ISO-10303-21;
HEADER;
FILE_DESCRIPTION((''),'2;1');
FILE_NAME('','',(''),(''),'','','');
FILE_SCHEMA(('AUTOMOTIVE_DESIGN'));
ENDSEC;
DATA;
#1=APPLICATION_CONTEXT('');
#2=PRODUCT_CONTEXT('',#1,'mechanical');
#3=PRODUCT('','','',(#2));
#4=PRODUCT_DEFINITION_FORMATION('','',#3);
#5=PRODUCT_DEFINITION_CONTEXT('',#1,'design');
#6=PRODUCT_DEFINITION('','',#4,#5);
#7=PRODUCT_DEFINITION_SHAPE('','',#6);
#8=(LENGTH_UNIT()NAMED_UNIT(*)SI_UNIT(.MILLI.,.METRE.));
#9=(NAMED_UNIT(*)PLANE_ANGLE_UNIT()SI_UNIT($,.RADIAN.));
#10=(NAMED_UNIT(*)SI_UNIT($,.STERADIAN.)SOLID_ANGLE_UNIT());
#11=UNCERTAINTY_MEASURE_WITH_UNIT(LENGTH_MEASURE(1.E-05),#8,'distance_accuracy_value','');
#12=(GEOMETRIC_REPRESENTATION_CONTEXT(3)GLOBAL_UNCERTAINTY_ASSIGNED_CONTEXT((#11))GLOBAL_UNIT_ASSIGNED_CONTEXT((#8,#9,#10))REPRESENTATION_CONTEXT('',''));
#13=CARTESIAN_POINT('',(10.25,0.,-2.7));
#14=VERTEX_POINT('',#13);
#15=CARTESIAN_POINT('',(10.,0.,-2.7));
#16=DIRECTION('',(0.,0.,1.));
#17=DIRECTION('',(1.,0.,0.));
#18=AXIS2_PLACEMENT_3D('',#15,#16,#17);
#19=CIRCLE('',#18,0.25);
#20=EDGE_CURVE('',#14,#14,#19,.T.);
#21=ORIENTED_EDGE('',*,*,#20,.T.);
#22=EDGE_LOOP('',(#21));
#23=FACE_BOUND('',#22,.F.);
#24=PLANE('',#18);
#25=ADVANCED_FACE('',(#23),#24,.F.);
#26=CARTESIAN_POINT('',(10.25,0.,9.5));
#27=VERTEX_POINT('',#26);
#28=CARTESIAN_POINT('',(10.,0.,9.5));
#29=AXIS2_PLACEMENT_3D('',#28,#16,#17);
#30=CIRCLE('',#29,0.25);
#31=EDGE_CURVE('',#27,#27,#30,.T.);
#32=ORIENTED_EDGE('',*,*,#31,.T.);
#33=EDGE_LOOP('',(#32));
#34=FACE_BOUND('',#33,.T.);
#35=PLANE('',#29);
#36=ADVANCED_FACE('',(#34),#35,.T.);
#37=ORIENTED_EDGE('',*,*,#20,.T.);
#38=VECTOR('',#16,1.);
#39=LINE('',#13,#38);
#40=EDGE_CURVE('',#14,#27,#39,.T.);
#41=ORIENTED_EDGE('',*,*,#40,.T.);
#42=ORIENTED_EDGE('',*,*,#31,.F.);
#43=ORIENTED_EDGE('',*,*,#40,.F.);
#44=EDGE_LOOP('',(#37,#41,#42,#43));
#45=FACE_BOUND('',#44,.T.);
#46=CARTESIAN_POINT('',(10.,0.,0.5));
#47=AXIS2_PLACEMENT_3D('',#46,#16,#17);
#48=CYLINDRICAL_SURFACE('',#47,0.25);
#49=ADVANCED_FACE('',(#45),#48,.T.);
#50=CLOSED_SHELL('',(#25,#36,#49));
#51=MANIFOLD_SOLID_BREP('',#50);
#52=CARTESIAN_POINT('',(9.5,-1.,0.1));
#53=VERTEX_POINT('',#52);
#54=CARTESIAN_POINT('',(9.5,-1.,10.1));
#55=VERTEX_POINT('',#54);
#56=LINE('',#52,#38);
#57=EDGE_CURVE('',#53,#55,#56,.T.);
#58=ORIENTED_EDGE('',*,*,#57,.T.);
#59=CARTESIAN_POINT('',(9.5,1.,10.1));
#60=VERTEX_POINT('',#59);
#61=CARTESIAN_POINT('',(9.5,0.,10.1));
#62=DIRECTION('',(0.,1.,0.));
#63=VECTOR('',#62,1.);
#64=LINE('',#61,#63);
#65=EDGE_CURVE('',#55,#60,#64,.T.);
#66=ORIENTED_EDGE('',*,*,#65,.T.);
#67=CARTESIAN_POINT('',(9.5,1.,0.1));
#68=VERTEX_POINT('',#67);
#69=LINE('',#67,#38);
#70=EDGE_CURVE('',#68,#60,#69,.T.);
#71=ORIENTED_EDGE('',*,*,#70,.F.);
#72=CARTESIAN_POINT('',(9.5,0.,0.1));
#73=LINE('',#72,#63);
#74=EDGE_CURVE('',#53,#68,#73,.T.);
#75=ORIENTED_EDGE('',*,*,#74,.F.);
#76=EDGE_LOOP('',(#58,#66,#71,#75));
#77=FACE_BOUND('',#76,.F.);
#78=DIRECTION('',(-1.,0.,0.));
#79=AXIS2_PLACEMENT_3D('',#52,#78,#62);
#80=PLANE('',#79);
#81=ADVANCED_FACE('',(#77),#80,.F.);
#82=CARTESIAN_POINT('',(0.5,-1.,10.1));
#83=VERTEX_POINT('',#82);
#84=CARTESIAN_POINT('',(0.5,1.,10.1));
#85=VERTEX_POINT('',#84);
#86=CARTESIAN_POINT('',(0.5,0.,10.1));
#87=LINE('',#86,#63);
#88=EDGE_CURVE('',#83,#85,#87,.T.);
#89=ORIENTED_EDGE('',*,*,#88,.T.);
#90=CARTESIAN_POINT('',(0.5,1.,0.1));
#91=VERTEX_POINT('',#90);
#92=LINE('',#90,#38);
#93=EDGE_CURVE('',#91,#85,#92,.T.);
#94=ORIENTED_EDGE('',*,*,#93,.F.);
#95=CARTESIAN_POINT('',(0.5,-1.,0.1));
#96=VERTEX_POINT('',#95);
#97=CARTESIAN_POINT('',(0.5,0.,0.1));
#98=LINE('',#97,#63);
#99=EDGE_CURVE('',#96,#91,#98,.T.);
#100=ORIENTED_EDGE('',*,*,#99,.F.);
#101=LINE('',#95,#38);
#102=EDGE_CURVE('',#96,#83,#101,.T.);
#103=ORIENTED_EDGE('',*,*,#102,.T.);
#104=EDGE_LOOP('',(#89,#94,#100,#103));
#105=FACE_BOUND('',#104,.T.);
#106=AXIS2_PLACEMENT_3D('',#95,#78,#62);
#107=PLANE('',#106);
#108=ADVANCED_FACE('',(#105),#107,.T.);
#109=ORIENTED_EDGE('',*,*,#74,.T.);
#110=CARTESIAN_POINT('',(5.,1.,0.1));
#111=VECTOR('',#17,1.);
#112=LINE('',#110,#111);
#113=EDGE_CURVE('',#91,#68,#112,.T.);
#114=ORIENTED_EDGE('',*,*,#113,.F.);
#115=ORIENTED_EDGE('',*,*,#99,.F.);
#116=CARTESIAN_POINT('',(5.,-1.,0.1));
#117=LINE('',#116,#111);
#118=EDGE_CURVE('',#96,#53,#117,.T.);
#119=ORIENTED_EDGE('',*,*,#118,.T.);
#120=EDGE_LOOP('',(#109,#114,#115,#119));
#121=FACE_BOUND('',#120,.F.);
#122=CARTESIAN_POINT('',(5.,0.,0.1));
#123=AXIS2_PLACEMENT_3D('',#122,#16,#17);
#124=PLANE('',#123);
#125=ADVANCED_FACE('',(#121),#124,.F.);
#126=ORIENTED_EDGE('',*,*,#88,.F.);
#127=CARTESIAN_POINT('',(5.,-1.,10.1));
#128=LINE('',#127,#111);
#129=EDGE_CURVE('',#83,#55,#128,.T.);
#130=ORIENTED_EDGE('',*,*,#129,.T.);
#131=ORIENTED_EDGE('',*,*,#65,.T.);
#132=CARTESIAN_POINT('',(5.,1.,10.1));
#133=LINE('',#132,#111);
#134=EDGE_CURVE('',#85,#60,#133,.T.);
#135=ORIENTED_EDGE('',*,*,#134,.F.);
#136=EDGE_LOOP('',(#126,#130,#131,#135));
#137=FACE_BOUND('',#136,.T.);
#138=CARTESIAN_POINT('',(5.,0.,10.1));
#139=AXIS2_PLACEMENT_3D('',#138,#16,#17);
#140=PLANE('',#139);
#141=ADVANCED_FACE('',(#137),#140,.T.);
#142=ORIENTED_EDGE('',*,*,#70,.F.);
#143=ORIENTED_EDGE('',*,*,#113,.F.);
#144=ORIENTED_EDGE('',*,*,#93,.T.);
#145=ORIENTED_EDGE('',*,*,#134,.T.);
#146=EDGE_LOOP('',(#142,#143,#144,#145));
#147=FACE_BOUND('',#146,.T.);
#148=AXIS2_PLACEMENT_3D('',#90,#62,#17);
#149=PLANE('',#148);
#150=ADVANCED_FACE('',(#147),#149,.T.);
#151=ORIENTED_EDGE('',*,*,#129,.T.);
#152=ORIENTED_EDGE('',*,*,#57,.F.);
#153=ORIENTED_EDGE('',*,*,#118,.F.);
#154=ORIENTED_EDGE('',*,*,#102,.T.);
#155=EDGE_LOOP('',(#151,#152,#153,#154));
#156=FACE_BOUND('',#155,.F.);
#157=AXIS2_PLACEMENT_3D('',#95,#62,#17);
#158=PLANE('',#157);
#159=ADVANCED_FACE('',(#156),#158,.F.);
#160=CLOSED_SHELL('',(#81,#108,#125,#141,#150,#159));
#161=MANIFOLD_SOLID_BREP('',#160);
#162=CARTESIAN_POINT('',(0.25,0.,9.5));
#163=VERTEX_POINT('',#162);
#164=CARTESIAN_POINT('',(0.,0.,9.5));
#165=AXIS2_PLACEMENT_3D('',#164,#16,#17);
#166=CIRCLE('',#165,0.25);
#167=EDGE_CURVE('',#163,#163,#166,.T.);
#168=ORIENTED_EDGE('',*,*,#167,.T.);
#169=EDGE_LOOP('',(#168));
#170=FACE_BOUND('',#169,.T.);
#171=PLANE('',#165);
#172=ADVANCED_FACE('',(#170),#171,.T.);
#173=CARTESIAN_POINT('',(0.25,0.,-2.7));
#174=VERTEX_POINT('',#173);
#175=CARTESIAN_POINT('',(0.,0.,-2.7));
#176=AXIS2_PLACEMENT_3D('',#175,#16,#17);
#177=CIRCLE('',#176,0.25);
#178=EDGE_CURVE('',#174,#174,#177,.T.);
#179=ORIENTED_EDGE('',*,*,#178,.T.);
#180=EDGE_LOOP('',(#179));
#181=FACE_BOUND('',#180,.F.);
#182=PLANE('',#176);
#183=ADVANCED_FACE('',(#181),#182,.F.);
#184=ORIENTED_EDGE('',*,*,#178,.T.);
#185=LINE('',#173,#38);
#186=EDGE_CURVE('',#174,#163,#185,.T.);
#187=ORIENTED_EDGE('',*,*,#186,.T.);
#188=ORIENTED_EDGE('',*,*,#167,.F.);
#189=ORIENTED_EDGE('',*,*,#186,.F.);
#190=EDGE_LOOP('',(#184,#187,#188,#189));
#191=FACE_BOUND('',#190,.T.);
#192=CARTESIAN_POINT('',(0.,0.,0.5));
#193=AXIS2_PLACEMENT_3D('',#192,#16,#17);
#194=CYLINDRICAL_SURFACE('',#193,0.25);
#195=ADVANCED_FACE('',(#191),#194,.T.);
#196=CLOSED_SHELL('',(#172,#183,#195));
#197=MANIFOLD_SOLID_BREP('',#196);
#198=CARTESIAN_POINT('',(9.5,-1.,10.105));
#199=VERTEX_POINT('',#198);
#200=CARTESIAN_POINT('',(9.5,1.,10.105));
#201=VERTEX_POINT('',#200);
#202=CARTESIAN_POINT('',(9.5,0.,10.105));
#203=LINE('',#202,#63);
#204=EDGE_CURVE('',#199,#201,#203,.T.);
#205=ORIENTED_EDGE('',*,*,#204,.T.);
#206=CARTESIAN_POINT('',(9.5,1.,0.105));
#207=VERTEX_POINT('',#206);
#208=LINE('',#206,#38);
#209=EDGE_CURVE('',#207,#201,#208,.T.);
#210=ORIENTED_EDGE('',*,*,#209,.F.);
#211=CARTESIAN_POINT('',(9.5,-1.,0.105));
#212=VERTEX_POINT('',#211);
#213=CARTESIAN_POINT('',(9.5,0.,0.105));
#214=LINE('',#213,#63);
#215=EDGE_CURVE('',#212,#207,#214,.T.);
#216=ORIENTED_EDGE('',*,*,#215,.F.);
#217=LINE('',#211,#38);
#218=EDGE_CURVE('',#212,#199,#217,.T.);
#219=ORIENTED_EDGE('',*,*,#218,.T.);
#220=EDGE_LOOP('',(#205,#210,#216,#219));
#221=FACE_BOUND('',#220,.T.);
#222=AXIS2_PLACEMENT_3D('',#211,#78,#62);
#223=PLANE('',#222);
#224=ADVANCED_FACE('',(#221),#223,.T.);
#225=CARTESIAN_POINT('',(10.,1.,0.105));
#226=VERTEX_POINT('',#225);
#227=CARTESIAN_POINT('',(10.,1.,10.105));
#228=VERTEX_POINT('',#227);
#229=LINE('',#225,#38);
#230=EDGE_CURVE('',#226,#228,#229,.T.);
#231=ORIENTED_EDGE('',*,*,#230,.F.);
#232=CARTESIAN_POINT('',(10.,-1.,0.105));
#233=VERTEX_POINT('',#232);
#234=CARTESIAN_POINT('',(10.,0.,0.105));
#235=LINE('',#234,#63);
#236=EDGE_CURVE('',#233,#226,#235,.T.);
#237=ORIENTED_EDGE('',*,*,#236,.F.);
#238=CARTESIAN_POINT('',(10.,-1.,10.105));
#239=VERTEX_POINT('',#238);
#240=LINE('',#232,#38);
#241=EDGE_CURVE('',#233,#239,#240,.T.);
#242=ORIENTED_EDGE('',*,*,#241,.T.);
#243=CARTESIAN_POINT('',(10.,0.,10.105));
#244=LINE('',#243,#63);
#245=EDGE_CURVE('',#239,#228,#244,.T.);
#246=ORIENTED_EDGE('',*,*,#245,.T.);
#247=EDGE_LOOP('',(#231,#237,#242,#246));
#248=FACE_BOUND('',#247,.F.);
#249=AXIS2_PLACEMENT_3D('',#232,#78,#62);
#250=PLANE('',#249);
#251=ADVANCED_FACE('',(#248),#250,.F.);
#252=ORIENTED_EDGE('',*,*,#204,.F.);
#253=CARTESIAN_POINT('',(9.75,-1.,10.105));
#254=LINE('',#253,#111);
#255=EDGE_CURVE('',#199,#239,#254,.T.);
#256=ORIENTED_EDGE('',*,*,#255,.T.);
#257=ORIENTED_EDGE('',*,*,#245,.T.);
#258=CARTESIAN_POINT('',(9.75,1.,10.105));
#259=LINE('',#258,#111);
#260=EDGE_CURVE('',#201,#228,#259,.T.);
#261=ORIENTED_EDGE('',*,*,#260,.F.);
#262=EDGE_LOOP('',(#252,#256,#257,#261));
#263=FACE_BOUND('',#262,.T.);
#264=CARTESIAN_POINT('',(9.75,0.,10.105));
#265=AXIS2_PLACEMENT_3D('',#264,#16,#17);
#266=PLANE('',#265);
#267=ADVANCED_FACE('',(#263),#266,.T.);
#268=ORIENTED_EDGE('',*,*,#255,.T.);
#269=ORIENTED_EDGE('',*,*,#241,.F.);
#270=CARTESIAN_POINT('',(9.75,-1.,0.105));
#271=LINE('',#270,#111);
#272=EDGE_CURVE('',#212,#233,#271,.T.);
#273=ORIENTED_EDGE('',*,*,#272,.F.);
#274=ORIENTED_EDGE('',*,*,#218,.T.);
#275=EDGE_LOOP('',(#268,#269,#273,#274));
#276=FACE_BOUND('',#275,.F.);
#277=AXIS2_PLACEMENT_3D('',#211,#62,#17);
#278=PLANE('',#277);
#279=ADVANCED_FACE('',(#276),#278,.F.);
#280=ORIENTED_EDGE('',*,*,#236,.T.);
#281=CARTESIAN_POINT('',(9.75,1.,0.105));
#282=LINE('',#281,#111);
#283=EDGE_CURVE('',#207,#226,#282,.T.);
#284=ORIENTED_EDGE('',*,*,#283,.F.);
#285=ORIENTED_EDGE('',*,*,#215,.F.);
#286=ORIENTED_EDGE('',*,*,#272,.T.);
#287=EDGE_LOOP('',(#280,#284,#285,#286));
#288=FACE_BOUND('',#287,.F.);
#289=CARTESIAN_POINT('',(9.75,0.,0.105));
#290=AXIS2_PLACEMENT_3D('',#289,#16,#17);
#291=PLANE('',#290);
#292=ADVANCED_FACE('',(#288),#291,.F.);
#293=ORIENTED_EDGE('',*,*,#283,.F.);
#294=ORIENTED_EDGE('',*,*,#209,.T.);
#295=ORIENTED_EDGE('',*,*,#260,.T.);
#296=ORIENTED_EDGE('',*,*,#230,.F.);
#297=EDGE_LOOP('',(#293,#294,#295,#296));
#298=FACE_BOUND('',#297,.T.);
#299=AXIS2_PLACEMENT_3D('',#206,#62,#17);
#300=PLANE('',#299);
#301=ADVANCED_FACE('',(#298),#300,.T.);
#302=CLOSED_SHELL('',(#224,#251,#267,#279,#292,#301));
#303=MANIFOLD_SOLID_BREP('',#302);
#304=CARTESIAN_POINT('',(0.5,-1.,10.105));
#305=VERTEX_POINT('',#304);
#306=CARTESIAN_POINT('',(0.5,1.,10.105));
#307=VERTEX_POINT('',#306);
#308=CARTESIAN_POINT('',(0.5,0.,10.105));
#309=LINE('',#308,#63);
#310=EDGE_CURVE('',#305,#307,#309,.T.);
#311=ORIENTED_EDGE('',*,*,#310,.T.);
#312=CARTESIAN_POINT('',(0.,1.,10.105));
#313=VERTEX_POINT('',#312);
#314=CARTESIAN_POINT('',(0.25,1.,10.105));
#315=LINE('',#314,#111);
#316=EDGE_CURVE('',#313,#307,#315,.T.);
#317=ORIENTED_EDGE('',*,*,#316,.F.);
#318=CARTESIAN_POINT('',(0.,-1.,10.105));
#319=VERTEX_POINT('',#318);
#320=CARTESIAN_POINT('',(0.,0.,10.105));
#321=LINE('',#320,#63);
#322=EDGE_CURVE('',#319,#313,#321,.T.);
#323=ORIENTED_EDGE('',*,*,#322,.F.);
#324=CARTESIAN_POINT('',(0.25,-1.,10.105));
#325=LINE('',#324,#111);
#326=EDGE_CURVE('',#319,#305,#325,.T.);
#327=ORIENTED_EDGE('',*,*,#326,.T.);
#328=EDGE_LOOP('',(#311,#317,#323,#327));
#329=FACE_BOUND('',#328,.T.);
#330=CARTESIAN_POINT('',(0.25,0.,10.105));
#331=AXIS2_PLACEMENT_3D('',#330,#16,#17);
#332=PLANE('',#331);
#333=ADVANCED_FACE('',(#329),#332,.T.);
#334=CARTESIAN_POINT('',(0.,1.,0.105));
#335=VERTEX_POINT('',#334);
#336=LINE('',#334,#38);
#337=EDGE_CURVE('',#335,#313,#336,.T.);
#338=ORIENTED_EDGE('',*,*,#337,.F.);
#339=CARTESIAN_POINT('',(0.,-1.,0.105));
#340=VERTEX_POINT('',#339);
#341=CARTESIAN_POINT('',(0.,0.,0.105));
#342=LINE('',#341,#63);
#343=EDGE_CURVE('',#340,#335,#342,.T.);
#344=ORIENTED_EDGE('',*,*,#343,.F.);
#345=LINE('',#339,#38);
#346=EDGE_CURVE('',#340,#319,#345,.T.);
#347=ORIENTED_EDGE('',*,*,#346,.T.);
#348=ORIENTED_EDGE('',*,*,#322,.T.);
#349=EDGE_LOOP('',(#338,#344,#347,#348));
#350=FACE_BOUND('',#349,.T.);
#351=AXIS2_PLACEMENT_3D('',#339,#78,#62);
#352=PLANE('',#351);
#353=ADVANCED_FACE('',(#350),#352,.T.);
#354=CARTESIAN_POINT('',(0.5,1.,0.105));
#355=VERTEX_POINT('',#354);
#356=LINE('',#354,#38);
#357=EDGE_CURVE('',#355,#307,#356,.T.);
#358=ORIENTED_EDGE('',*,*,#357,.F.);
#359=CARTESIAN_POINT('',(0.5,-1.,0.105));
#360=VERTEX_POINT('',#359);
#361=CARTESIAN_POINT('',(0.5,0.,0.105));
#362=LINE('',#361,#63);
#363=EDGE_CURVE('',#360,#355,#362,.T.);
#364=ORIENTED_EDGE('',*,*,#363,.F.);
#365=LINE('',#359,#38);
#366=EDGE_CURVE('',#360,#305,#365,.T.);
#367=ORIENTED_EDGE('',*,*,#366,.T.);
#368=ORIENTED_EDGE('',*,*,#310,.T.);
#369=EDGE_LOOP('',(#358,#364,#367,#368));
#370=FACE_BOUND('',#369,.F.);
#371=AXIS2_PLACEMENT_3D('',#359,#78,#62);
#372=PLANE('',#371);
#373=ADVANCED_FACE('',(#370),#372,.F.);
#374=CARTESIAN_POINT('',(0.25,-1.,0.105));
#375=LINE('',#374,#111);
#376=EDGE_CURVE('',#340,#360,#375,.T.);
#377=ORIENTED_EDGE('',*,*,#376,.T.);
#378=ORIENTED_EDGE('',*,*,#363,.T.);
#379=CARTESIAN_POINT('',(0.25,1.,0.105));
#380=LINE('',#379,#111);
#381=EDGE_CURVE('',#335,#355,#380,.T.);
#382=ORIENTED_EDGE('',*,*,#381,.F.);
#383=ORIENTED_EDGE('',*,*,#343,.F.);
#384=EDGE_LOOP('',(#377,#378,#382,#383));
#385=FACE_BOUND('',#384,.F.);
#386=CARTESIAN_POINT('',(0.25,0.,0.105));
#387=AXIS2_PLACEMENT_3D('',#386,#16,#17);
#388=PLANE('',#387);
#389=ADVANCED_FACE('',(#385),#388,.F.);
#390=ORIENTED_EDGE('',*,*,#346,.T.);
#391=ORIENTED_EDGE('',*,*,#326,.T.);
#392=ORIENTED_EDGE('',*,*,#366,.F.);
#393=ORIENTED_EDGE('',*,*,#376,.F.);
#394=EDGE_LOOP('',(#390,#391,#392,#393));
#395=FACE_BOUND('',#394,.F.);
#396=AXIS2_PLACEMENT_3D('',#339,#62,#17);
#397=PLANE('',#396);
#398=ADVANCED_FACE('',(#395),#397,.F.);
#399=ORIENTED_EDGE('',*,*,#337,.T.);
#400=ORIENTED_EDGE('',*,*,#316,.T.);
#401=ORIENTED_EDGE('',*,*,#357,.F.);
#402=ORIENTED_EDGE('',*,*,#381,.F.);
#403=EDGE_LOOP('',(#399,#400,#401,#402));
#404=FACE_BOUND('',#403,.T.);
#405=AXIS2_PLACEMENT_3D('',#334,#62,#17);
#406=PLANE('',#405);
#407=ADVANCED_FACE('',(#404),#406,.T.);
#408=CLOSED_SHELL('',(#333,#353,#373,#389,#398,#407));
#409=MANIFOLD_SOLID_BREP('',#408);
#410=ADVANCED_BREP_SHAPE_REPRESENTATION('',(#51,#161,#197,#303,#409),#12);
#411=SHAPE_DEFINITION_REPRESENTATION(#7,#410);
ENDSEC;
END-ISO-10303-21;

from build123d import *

# Parameters (mm, degrees)
SKETCH_W          = 9
SKETCH_H          = 2
PAD_DEPTH         = 10
SKETCH001_R       = 0.25
PAD001_DEPTH      = 9
PAD001_DEPTH_BACK = 3.2
SKETCH002_W       = 0.5
SKETCH002_H       = 2
PAD002_DEPTH      = 10


with BuildPart() as pad:
    # Sketch → Pad (new body)
    with BuildSketch(Plane.XY.offset(0.1)):
        with Locations((5, 0)):
            Rectangle(SKETCH_W, SKETCH_H)
    extrude(amount=PAD_DEPTH)


with BuildPart() as pad001:
    # Sketch001 → Pad001 (new body, two sides)
    with BuildSketch(Plane.XY.offset(0.5)) as pad001_sk:
        Circle(SKETCH001_R)
        with Locations((10, 0)):
            Circle(SKETCH001_R)
    extrude(amount=PAD001_DEPTH)
    extrude(pad001_sk.sketch, amount=-PAD001_DEPTH_BACK)


with BuildPart() as pad002:
    # Sketch002 → Pad002 (new body)
    with BuildSketch(Plane.XY.offset(0.105)):
        with Locations((0.25, 0)):
            Rectangle(SKETCH002_W, SKETCH002_H)
        with Locations((9.75, 0)):
            Rectangle(SKETCH002_W, SKETCH002_H)
    extrude(amount=PAD002_DEPTH)


solid = Compound([pad.part, pad001.part, pad002.part])
